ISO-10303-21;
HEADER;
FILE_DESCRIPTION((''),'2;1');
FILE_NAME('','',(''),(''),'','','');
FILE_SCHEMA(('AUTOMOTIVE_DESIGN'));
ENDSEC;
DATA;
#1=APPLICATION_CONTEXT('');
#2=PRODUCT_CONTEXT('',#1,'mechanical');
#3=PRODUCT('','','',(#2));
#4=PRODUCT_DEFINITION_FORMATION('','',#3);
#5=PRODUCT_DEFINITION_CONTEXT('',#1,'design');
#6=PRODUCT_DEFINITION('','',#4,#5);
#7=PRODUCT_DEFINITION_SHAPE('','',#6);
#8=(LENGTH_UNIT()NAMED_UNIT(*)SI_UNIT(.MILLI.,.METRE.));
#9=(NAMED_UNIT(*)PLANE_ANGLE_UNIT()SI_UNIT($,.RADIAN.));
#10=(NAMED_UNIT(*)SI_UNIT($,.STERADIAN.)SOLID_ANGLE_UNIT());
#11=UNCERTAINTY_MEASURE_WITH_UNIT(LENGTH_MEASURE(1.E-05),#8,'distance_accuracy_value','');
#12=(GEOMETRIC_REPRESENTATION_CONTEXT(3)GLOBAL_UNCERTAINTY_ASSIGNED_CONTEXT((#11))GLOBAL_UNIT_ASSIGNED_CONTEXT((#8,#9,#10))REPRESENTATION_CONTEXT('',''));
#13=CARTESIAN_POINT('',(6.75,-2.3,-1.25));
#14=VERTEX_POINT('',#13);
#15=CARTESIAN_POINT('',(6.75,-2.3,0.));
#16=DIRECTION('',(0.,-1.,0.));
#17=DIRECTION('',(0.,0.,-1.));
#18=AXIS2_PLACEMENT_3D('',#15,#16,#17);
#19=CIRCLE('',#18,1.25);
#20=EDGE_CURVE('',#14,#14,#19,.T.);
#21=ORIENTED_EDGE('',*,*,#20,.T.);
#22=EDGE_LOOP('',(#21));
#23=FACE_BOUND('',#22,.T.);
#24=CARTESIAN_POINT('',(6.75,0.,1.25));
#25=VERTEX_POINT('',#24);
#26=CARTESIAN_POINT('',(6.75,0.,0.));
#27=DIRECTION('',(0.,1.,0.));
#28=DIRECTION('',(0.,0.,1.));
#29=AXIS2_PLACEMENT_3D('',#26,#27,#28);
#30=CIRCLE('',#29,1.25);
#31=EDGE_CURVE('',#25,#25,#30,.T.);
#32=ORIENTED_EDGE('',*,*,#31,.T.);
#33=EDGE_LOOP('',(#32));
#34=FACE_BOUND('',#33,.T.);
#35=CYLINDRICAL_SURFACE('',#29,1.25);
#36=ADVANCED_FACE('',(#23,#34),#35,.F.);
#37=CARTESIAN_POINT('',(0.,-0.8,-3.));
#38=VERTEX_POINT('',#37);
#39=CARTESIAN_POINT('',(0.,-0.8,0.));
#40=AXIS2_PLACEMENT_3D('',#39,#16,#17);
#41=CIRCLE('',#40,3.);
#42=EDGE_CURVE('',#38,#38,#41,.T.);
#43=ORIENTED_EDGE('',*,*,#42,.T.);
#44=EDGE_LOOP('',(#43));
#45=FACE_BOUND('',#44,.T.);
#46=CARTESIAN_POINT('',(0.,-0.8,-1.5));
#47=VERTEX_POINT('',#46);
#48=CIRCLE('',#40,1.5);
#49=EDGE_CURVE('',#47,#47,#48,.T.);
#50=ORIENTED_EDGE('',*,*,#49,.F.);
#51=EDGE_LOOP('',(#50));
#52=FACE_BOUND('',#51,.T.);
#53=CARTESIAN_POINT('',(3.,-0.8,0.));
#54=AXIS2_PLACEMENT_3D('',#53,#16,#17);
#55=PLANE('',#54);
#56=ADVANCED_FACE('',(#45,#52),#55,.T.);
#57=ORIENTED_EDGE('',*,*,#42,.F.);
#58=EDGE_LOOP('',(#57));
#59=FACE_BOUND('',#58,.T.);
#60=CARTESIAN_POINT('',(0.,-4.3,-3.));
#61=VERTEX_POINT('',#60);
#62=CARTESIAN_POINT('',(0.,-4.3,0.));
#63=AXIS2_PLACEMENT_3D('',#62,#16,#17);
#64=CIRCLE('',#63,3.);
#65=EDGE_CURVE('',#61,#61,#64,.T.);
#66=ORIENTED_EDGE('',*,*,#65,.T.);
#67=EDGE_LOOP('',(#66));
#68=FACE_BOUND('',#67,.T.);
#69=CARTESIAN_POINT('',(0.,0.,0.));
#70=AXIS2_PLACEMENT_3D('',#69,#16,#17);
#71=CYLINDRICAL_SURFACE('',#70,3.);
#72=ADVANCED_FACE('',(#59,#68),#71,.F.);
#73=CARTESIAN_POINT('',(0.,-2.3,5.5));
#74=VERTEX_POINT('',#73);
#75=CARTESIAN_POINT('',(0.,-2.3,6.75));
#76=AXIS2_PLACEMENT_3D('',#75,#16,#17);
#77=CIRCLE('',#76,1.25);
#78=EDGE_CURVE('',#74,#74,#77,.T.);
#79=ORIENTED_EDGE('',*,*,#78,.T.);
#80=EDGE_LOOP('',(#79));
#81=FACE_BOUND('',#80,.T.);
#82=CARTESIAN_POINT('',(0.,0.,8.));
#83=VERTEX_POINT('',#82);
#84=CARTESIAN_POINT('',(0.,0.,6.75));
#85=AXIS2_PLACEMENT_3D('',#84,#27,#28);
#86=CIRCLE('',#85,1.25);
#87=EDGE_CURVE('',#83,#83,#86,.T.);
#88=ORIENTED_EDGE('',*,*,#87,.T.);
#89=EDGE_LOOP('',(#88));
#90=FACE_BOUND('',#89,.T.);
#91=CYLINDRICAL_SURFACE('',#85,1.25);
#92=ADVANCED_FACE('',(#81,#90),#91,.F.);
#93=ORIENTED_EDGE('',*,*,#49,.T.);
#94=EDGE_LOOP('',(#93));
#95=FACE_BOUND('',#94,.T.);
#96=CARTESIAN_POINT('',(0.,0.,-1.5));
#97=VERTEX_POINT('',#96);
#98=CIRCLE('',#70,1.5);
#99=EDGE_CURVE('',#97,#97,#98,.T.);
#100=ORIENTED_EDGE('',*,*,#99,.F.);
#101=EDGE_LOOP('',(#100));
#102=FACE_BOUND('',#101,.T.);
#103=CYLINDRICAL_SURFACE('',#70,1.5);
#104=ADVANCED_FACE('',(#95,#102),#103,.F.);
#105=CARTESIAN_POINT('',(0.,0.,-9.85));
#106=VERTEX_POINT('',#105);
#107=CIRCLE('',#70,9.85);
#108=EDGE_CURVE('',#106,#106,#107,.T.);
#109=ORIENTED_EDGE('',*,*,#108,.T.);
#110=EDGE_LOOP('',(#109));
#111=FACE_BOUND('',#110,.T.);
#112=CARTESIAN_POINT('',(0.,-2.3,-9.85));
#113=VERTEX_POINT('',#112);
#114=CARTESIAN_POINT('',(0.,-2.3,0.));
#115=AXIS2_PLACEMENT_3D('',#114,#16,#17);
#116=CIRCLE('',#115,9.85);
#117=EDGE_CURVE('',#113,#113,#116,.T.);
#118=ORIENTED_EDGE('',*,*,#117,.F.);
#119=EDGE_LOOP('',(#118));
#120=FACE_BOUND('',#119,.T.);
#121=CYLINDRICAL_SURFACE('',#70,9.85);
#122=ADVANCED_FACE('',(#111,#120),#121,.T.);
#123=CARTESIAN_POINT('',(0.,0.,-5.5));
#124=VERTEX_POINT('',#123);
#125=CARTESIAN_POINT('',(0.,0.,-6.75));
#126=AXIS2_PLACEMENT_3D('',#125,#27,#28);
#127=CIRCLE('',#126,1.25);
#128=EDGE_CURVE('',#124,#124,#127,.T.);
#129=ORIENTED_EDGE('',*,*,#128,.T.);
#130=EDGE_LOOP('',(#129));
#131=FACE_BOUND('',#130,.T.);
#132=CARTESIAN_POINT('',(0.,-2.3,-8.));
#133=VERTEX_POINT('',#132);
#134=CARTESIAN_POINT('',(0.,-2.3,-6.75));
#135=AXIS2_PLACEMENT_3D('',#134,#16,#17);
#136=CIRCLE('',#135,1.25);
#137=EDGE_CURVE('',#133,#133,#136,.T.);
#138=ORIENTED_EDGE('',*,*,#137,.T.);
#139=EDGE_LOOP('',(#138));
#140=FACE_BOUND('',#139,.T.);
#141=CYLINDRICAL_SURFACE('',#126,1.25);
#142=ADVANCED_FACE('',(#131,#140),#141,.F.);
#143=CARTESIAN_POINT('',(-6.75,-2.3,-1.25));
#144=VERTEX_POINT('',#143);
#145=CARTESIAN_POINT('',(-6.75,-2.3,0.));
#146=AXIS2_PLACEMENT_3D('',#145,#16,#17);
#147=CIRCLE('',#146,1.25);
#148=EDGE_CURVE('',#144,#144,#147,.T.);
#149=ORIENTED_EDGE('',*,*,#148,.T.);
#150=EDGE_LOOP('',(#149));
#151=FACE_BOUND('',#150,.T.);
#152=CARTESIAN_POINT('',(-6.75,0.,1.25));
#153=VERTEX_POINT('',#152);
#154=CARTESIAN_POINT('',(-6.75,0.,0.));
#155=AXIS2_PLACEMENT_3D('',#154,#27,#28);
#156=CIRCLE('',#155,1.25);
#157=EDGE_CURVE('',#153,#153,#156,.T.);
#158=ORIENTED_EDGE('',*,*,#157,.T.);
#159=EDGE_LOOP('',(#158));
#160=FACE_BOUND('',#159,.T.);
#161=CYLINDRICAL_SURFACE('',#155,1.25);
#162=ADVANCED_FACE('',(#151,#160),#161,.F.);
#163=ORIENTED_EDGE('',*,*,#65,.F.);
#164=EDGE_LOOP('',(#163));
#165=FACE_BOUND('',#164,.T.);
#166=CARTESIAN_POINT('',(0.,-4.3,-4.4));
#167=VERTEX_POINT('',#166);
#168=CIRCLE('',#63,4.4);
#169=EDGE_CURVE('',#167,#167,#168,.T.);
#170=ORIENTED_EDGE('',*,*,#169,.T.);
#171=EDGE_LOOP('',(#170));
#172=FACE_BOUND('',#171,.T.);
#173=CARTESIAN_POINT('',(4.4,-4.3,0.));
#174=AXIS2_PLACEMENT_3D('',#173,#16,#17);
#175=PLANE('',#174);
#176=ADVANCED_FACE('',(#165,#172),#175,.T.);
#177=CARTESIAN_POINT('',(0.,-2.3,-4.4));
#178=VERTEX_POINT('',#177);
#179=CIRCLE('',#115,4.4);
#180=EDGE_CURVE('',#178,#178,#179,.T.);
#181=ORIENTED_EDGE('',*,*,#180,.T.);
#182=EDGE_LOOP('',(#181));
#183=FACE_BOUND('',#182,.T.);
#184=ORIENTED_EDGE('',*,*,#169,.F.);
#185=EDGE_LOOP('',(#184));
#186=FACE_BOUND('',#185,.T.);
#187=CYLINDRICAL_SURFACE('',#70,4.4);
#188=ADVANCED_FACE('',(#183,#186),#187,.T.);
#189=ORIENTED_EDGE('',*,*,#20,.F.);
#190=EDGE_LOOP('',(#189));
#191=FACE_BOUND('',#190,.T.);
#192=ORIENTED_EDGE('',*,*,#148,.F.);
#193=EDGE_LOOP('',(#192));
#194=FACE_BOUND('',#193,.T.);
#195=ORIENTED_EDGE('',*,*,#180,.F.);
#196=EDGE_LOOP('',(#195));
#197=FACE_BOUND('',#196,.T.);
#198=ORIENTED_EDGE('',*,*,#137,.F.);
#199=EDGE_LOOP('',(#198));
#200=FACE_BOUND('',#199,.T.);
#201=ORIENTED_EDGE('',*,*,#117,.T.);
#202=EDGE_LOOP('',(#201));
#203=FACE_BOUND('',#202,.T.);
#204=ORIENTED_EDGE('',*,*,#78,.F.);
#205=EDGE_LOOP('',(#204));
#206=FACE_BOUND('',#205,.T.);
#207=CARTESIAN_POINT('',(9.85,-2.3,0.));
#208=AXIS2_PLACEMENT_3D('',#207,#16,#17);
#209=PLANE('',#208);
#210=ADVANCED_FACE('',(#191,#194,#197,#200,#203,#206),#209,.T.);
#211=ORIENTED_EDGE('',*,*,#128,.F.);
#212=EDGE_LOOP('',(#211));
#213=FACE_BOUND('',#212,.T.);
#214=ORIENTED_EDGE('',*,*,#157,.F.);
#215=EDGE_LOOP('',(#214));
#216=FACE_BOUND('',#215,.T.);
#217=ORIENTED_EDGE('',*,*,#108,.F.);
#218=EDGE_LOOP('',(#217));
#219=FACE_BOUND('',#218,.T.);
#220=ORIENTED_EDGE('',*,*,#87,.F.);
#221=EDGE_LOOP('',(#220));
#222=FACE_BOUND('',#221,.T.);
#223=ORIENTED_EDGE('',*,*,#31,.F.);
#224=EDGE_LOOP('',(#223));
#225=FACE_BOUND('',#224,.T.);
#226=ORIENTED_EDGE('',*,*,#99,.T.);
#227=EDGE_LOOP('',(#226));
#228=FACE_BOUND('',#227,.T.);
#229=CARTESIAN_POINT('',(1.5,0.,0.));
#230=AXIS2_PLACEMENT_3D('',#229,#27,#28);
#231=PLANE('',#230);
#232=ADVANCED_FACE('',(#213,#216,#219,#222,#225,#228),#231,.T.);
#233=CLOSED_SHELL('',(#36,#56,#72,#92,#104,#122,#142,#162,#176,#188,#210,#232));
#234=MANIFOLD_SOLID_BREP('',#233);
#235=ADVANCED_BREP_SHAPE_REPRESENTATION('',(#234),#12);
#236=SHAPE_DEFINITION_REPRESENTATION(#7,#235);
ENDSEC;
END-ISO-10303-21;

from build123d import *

# Parameters (mm, degrees)
HOLE_WIZARD_M3_1_D = 2.5


with BuildPart() as part:
    # 草图1 → 旋转1 (revolve)
    with BuildSketch(Plane.XY, mode=Mode.PRIVATE) as revolve_1_sk:
        Polygon((1.5, 0), (9.85, 0), (9.85, -2.3), (4.4, -2.3), (4.4, -4.3), (3, -4.3), (3, -0.8), (1.5, -0.8), align=None)
    revolve(revolve_1_sk.sketch.rotate(Axis((0, 0, 0), (0, 1, 0)), 90), axis=Axis((0, 0, 0), (0, 1, 0)))

    # M3 螺纹孔1 (through all)
    with Locations(Plane(origin=(0, 0, 0), x_dir=(1, 0, 0), z_dir=(0, 1, 0))):
        with Locations((0, 6.75), (6.75, 0), (0, -6.75), (-6.75, 0)):
            Hole(HOLE_WIZARD_M3_1_D / 2)


solid = part.part
